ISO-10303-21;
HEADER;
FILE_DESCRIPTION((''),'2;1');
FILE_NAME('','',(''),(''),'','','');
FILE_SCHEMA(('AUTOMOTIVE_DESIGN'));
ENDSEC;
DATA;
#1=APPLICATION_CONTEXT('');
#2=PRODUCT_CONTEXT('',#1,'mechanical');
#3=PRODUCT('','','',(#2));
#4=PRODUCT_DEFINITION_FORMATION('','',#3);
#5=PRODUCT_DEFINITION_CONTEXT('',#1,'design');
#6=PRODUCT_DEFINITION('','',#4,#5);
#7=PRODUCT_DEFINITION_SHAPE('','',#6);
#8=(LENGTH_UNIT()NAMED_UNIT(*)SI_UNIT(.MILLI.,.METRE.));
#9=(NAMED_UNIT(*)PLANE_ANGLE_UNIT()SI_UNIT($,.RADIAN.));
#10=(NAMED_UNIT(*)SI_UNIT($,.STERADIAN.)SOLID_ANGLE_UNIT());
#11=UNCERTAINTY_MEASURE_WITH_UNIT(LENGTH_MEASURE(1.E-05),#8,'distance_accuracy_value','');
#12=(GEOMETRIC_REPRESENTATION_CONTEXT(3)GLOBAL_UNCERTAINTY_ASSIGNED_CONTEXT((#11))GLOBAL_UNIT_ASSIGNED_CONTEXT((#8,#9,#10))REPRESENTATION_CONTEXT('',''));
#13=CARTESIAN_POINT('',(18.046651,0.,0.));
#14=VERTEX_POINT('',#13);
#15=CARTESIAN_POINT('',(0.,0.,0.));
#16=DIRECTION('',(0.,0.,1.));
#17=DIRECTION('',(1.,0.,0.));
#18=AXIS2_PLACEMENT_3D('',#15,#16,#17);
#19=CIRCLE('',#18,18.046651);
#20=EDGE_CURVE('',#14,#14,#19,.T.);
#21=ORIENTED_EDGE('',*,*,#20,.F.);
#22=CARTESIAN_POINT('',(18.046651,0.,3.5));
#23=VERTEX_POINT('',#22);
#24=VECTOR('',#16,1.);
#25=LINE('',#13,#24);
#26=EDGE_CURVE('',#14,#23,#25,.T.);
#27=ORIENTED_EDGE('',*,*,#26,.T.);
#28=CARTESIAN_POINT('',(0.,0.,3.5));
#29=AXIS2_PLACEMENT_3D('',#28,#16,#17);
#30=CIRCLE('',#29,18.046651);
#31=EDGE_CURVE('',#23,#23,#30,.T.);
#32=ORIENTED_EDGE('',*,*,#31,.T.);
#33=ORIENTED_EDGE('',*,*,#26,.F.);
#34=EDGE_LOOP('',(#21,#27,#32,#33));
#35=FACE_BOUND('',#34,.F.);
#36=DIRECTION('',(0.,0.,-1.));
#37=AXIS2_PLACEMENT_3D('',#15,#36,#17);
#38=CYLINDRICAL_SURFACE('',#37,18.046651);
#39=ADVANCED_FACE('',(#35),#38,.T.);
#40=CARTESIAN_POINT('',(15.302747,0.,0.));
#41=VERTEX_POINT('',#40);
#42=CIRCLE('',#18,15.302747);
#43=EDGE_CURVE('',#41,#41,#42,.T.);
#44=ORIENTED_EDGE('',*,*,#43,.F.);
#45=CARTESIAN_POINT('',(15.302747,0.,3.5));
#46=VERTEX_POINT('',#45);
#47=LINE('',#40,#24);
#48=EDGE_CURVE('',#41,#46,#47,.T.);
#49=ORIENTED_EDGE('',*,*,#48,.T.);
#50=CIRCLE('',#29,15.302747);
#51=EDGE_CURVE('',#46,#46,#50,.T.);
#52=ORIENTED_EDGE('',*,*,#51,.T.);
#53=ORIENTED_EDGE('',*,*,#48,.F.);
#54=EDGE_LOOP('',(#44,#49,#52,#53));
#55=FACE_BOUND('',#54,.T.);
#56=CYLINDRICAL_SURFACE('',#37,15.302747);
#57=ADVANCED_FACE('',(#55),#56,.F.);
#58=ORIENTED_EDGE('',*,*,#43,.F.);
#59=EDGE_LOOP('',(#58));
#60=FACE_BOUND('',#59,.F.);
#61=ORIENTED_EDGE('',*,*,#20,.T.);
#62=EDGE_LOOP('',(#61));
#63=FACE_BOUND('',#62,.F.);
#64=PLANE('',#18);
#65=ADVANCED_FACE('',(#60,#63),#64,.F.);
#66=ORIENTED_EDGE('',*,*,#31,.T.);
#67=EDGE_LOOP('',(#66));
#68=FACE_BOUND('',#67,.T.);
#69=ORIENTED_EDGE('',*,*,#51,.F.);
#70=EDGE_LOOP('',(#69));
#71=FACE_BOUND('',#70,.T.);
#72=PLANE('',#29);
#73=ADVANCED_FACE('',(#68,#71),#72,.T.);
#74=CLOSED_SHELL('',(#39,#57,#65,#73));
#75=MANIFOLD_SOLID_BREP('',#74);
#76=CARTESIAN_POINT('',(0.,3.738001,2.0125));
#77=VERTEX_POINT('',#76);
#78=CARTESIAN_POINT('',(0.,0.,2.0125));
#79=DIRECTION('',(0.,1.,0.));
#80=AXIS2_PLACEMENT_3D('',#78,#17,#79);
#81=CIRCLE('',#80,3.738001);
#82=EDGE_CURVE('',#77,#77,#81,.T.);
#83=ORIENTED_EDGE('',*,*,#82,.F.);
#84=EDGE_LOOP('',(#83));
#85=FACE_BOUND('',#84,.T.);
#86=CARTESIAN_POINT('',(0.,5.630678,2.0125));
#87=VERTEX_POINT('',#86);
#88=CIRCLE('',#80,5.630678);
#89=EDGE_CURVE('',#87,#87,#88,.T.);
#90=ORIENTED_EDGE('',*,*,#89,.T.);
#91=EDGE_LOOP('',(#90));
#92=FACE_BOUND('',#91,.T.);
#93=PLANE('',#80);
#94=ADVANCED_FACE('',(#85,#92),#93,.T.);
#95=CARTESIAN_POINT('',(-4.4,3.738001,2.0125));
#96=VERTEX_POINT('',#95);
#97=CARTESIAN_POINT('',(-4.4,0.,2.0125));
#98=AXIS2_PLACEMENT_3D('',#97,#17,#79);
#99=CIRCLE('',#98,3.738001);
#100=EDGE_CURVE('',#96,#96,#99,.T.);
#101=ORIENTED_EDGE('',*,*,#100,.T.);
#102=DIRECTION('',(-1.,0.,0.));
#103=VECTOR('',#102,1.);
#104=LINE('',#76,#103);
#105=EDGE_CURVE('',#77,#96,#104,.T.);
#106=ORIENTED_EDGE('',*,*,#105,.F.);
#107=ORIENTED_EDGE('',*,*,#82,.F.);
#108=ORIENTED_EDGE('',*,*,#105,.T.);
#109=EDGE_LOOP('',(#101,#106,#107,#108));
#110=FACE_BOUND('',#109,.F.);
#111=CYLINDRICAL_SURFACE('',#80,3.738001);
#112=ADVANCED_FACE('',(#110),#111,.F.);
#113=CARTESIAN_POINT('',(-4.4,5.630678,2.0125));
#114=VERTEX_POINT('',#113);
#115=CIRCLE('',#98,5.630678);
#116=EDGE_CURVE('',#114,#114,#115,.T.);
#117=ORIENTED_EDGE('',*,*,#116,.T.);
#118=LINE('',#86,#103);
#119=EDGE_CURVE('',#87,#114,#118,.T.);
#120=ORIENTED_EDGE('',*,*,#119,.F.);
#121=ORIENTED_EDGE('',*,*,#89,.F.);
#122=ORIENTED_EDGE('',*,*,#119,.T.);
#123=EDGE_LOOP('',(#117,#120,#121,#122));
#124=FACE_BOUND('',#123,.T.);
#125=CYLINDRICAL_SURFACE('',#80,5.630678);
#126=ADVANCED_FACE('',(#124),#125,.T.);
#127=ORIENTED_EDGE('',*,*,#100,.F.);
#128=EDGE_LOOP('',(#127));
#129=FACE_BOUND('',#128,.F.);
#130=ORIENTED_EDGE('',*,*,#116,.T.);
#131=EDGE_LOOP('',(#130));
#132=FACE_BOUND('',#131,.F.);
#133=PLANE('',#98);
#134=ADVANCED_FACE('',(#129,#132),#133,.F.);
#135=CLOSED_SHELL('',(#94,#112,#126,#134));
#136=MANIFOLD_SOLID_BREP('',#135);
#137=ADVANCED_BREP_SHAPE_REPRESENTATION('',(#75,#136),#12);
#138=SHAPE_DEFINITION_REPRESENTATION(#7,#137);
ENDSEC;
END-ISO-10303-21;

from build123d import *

# Parameters (mm, degrees)
F0_R     = 18.046651
F0_R_2   = 15.302747
F1_DEPTH = 3.5
F2_R     = 5.630678
F2_R_2   = 3.738001
F3_DEPTH = 4.4
F4_ANGLE = 30


with BuildPart() as f1:
    # F0 (on Top) → F1 (new body)
    with BuildSketch(Plane.XY):
        Circle(F0_R)
        Circle(F0_R_2, mode=Mode.SUBTRACT)
    extrude(amount=F1_DEPTH)


with BuildPart() as f3:
    # F2 (on Right) → F3 (new body)
    with BuildSketch(Plane.YZ):
        with Locations((0, 2.0125)):
            Circle(F2_R)
        with Locations((0, 2.0125)):
            Circle(F2_R_2, mode=Mode.SUBTRACT)
    extrude(amount=-F3_DEPTH)


with BuildPart() as f3_1:
    # F4: moved
    add(f3.part.rotate(Axis((0, 0, 2.0125), (1, 0, 0)), F4_ANGLE))


solid = Compound([f1.part, f3_1.part])
